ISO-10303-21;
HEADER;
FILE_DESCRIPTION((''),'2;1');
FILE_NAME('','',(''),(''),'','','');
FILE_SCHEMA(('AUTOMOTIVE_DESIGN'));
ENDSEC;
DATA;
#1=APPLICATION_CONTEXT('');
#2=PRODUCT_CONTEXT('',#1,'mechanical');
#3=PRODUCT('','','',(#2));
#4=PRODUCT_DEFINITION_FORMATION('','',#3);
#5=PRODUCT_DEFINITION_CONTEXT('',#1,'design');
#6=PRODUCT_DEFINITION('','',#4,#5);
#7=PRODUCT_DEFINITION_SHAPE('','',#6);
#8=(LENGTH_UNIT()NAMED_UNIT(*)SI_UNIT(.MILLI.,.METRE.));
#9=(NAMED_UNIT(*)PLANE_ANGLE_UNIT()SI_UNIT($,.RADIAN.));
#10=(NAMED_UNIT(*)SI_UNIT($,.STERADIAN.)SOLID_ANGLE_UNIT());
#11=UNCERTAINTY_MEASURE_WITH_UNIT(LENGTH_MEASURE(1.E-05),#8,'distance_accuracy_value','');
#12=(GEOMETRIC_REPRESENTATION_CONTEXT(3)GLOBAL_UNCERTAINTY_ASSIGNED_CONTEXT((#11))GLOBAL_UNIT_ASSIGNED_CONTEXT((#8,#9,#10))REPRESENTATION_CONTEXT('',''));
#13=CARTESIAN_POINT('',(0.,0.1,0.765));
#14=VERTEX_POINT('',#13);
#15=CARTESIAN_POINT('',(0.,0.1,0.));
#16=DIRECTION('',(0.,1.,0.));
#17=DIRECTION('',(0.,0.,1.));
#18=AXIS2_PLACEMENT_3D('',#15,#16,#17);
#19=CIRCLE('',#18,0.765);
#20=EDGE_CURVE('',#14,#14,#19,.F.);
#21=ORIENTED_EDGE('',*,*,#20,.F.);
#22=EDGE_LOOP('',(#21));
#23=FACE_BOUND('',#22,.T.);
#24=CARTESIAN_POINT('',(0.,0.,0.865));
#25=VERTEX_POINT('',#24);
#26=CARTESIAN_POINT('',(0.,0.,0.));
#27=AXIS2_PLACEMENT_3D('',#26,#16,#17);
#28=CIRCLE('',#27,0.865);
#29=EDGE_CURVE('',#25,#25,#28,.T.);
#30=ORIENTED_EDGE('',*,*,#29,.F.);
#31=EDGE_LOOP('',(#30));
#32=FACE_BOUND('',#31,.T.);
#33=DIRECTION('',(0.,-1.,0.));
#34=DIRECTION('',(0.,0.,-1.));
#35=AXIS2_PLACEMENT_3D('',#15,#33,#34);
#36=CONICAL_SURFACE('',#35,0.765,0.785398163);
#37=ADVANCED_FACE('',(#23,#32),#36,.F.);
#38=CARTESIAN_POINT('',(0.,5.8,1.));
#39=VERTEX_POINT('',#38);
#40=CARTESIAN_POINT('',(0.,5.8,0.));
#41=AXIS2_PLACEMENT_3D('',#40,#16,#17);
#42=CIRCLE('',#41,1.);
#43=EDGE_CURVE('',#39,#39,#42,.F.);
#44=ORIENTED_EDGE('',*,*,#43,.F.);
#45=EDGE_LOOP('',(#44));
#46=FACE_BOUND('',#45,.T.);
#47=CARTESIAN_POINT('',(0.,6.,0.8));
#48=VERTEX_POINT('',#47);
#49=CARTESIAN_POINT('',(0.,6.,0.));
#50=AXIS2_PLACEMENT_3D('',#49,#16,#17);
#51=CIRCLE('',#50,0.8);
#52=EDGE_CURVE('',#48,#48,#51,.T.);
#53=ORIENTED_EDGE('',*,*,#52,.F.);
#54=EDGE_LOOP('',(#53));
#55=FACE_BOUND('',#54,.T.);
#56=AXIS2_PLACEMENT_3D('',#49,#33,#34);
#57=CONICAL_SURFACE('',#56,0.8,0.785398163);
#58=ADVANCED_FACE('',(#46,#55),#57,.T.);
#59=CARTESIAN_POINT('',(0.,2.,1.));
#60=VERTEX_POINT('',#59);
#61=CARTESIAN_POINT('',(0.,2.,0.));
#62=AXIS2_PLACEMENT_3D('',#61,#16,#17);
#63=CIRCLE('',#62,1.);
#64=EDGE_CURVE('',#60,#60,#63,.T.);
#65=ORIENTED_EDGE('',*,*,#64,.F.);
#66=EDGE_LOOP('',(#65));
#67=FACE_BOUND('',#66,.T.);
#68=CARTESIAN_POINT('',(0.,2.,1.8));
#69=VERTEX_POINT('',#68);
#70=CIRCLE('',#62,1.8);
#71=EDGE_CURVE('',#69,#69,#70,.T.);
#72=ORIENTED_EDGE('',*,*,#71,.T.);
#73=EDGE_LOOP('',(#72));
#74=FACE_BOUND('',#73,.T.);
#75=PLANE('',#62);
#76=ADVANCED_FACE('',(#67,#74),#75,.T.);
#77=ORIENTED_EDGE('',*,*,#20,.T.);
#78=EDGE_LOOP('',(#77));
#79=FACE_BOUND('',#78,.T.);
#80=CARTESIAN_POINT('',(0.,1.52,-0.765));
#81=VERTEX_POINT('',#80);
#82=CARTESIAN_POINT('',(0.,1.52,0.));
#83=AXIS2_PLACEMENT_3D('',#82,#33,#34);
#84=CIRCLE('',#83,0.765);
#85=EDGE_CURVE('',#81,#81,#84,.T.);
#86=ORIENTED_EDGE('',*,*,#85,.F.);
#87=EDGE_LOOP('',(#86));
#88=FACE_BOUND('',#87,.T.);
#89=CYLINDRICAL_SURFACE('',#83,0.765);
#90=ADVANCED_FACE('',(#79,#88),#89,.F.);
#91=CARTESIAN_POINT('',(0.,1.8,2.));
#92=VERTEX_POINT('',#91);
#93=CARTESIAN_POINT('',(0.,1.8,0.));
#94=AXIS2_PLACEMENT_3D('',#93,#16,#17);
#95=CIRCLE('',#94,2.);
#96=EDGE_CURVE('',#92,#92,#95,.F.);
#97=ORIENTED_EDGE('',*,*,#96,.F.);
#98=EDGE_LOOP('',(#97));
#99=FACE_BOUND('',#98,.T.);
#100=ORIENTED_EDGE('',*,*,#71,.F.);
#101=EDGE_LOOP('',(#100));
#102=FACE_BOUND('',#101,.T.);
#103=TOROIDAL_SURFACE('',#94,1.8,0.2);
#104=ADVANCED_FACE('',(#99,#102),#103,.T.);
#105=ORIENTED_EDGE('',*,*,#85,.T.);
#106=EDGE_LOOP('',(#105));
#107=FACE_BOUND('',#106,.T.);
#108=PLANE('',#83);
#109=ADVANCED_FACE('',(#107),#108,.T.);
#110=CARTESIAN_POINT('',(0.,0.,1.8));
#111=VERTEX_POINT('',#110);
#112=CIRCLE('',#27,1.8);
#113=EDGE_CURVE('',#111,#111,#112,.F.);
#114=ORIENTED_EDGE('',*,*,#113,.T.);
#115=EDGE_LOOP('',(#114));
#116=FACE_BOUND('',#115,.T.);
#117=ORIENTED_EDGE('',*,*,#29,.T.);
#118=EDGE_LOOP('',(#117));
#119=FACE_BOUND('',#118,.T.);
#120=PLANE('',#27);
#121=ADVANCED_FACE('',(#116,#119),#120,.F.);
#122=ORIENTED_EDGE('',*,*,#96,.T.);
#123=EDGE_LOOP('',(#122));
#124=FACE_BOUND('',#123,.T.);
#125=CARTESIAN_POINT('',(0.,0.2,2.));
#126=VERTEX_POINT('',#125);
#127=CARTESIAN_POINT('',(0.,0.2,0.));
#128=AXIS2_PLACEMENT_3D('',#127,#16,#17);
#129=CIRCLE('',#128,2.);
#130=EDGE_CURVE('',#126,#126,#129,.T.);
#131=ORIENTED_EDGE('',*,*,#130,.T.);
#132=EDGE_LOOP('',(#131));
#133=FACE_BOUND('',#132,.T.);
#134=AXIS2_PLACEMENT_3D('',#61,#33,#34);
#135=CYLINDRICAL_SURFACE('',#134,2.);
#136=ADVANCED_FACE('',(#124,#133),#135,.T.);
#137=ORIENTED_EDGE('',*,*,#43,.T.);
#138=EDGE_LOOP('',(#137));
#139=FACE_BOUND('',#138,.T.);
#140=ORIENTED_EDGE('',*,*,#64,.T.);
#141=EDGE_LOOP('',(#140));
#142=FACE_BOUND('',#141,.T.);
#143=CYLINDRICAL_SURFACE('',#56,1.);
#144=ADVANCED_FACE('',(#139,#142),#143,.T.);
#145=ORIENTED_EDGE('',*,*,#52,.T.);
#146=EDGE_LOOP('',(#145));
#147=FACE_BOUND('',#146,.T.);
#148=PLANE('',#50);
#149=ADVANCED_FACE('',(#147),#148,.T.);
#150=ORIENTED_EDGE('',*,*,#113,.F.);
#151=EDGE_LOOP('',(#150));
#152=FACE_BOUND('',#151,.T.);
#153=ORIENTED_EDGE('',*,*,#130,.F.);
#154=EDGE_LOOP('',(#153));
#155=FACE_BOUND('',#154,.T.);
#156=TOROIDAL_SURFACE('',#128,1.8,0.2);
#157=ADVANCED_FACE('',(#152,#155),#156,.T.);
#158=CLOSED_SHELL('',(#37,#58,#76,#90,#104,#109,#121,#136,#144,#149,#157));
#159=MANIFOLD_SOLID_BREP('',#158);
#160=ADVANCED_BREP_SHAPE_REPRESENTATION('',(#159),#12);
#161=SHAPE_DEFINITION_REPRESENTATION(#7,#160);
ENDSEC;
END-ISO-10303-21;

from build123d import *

# Parameters (mm, degrees)
SKETCH_2_R          = 2
EXTRUDE_1_DEPTH     = 2
SKETCH_3_R          = 1
EXTRUDE_2_DEPTH     = 4
FILLET_1_R          = 0.2
SKETCH_4_R          = 0.765
CUT_EXTRUDE_1_DEPTH = 1.52
CHAMFER_1_SIZE      = 0.1
CHAMFER_2_SIZE      = 0.2


with BuildPart() as part:
    # 草图2 → 凸台-拉伸1 (new body)
    with BuildSketch(Plane(origin=(0, 0, 0), x_dir=(1, 0, 0), z_dir=(0, 1, 0))):
        with Locations(Location((0, 0, 0), (0, 0, 270))):
            Circle(SKETCH_2_R)
    extrude(amount=EXTRUDE_1_DEPTH)

    # 草图3 → 凸台-拉伸2 (add)
    with BuildSketch(Plane(origin=(0, 2, 0), x_dir=(1, 0, 0), z_dir=(0, 1, 0))):
        with Locations(Location((0, 0, 0), (0, 0, 270))):
            Circle(SKETCH_3_R)
    extrude(amount=EXTRUDE_2_DEPTH)

    # 圆角1
    fillet_1_edges = [part.edges().sort_by_distance(p)[0] for p in [
        (0, 0, -2),
        (0, 2, -2),
    ]]
    fillet(fillet_1_edges, radius=FILLET_1_R)

    # 草图4 → 切除-拉伸1 (cut)
    with BuildSketch(Plane.XZ):
        with Locations(Location((0, 0, 0), (0, 0, 270))):
            Circle(SKETCH_4_R)
    extrude(amount=-CUT_EXTRUDE_1_DEPTH, mode=Mode.SUBTRACT)

    # 倒角1
    chamfer_1_edges = [part.edges().sort_by_distance(p)[0] for p in [
        (0, 0, 0.765),
    ]]
    chamfer(chamfer_1_edges, length=CHAMFER_1_SIZE)

    # 倒角2
    chamfer_2_edges = [part.edges().sort_by_distance(p)[0] for p in [
        (0, 6, -1),
    ]]
    chamfer(chamfer_2_edges, length=CHAMFER_2_SIZE)


solid = part.part
